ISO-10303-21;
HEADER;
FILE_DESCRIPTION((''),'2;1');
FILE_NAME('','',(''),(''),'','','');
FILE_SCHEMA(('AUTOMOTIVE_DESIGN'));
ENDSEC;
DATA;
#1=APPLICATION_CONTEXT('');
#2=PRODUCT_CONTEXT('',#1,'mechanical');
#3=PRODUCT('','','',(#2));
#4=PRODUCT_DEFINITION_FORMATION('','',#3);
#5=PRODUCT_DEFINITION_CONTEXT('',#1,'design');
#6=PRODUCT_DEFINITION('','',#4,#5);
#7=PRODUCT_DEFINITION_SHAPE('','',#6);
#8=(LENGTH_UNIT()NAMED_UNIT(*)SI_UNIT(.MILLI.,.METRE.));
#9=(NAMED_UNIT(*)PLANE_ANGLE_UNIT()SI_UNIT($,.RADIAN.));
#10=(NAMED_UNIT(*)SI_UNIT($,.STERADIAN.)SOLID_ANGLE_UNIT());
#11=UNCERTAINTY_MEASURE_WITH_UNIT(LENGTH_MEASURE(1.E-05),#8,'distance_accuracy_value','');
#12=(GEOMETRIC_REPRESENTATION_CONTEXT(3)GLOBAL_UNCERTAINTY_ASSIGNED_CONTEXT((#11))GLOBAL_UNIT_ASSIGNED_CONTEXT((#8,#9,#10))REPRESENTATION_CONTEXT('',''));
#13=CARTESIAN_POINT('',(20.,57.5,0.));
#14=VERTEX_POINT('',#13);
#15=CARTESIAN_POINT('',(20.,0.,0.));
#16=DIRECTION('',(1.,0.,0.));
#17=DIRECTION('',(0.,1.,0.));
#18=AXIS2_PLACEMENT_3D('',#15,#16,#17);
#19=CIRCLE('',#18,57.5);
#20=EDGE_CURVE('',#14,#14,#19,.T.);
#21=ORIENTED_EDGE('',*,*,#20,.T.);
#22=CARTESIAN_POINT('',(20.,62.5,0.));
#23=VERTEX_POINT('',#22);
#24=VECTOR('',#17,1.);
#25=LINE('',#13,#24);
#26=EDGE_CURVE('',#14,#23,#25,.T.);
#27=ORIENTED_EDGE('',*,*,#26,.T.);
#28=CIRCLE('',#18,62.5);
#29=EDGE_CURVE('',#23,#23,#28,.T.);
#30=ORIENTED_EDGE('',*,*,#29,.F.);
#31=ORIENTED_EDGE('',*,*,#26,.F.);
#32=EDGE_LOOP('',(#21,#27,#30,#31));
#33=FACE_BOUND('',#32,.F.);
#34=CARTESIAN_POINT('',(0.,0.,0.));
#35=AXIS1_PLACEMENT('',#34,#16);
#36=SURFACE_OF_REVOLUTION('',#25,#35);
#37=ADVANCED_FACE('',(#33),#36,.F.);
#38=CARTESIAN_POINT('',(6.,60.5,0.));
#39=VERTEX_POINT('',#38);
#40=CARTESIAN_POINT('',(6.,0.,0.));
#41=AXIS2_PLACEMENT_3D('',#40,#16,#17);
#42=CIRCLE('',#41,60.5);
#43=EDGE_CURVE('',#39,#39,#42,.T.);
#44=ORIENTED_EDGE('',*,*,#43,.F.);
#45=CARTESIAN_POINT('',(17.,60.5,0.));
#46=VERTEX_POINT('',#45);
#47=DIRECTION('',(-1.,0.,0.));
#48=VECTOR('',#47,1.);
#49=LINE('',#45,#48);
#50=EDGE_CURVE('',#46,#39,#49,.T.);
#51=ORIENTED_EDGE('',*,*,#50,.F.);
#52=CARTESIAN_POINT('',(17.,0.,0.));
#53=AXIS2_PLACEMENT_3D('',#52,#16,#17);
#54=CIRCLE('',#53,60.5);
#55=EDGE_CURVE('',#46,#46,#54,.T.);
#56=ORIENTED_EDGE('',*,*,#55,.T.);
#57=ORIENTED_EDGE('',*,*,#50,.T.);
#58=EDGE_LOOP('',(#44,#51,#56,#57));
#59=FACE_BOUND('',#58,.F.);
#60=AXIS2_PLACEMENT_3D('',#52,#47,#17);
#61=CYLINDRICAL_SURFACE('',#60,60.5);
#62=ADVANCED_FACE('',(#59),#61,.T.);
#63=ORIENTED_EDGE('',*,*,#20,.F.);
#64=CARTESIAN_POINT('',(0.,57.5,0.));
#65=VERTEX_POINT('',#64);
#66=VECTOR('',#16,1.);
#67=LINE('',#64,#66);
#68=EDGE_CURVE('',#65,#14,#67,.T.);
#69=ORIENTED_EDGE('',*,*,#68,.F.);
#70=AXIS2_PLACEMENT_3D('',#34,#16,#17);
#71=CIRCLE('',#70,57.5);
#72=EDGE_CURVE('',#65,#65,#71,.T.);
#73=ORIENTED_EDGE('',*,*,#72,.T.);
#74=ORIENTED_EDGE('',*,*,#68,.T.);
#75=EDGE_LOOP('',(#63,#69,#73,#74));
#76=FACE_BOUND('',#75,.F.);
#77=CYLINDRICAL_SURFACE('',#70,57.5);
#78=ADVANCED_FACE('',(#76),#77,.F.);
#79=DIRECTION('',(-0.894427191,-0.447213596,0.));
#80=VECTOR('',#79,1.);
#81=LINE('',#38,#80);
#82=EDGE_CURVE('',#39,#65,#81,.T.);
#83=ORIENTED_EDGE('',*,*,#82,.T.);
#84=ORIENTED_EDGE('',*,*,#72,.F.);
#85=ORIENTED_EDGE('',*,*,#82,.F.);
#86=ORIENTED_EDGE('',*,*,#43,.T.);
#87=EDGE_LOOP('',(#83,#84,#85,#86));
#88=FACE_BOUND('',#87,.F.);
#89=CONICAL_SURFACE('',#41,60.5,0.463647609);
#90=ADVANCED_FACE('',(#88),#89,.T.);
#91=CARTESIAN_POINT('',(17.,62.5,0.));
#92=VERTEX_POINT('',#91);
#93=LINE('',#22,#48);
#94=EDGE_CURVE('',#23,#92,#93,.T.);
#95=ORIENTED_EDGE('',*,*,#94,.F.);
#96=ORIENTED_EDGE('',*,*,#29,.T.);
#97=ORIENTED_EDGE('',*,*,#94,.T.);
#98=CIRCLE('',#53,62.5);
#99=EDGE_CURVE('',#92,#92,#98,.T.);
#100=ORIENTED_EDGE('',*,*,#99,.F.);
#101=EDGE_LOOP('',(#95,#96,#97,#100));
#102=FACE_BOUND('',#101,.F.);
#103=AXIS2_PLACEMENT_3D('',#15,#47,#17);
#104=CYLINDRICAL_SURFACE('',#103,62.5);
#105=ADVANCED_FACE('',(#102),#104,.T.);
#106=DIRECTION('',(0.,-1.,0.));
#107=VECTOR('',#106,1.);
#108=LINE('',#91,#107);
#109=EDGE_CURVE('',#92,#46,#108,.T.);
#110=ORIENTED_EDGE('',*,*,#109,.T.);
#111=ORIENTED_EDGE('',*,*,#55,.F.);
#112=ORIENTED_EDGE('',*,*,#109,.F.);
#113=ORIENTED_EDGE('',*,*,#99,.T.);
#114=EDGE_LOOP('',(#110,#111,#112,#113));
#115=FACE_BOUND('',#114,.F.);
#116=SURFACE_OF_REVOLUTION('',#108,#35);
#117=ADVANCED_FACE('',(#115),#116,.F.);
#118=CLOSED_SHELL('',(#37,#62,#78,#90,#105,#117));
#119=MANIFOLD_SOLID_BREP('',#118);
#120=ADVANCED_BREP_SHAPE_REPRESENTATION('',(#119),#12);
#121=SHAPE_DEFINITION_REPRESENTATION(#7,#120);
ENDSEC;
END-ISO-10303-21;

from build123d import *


with BuildPart() as f2:
    # F2: sweep along a path in F0
    with BuildLine(Plane.YZ) as f2_path:
        CenterArc((0, 0), 57.5, 0, 360)
    # F1 (on Front) → F2 (sweep)
    with BuildSketch(Plane.XZ):
        Polygon((6, 60.5), (0, 57.5), (20, 57.5), (20, 62.5), (17, 62.5), (17, 60.5), align=None)
    sweep(path=f2_path.line)


solid = f2.part
